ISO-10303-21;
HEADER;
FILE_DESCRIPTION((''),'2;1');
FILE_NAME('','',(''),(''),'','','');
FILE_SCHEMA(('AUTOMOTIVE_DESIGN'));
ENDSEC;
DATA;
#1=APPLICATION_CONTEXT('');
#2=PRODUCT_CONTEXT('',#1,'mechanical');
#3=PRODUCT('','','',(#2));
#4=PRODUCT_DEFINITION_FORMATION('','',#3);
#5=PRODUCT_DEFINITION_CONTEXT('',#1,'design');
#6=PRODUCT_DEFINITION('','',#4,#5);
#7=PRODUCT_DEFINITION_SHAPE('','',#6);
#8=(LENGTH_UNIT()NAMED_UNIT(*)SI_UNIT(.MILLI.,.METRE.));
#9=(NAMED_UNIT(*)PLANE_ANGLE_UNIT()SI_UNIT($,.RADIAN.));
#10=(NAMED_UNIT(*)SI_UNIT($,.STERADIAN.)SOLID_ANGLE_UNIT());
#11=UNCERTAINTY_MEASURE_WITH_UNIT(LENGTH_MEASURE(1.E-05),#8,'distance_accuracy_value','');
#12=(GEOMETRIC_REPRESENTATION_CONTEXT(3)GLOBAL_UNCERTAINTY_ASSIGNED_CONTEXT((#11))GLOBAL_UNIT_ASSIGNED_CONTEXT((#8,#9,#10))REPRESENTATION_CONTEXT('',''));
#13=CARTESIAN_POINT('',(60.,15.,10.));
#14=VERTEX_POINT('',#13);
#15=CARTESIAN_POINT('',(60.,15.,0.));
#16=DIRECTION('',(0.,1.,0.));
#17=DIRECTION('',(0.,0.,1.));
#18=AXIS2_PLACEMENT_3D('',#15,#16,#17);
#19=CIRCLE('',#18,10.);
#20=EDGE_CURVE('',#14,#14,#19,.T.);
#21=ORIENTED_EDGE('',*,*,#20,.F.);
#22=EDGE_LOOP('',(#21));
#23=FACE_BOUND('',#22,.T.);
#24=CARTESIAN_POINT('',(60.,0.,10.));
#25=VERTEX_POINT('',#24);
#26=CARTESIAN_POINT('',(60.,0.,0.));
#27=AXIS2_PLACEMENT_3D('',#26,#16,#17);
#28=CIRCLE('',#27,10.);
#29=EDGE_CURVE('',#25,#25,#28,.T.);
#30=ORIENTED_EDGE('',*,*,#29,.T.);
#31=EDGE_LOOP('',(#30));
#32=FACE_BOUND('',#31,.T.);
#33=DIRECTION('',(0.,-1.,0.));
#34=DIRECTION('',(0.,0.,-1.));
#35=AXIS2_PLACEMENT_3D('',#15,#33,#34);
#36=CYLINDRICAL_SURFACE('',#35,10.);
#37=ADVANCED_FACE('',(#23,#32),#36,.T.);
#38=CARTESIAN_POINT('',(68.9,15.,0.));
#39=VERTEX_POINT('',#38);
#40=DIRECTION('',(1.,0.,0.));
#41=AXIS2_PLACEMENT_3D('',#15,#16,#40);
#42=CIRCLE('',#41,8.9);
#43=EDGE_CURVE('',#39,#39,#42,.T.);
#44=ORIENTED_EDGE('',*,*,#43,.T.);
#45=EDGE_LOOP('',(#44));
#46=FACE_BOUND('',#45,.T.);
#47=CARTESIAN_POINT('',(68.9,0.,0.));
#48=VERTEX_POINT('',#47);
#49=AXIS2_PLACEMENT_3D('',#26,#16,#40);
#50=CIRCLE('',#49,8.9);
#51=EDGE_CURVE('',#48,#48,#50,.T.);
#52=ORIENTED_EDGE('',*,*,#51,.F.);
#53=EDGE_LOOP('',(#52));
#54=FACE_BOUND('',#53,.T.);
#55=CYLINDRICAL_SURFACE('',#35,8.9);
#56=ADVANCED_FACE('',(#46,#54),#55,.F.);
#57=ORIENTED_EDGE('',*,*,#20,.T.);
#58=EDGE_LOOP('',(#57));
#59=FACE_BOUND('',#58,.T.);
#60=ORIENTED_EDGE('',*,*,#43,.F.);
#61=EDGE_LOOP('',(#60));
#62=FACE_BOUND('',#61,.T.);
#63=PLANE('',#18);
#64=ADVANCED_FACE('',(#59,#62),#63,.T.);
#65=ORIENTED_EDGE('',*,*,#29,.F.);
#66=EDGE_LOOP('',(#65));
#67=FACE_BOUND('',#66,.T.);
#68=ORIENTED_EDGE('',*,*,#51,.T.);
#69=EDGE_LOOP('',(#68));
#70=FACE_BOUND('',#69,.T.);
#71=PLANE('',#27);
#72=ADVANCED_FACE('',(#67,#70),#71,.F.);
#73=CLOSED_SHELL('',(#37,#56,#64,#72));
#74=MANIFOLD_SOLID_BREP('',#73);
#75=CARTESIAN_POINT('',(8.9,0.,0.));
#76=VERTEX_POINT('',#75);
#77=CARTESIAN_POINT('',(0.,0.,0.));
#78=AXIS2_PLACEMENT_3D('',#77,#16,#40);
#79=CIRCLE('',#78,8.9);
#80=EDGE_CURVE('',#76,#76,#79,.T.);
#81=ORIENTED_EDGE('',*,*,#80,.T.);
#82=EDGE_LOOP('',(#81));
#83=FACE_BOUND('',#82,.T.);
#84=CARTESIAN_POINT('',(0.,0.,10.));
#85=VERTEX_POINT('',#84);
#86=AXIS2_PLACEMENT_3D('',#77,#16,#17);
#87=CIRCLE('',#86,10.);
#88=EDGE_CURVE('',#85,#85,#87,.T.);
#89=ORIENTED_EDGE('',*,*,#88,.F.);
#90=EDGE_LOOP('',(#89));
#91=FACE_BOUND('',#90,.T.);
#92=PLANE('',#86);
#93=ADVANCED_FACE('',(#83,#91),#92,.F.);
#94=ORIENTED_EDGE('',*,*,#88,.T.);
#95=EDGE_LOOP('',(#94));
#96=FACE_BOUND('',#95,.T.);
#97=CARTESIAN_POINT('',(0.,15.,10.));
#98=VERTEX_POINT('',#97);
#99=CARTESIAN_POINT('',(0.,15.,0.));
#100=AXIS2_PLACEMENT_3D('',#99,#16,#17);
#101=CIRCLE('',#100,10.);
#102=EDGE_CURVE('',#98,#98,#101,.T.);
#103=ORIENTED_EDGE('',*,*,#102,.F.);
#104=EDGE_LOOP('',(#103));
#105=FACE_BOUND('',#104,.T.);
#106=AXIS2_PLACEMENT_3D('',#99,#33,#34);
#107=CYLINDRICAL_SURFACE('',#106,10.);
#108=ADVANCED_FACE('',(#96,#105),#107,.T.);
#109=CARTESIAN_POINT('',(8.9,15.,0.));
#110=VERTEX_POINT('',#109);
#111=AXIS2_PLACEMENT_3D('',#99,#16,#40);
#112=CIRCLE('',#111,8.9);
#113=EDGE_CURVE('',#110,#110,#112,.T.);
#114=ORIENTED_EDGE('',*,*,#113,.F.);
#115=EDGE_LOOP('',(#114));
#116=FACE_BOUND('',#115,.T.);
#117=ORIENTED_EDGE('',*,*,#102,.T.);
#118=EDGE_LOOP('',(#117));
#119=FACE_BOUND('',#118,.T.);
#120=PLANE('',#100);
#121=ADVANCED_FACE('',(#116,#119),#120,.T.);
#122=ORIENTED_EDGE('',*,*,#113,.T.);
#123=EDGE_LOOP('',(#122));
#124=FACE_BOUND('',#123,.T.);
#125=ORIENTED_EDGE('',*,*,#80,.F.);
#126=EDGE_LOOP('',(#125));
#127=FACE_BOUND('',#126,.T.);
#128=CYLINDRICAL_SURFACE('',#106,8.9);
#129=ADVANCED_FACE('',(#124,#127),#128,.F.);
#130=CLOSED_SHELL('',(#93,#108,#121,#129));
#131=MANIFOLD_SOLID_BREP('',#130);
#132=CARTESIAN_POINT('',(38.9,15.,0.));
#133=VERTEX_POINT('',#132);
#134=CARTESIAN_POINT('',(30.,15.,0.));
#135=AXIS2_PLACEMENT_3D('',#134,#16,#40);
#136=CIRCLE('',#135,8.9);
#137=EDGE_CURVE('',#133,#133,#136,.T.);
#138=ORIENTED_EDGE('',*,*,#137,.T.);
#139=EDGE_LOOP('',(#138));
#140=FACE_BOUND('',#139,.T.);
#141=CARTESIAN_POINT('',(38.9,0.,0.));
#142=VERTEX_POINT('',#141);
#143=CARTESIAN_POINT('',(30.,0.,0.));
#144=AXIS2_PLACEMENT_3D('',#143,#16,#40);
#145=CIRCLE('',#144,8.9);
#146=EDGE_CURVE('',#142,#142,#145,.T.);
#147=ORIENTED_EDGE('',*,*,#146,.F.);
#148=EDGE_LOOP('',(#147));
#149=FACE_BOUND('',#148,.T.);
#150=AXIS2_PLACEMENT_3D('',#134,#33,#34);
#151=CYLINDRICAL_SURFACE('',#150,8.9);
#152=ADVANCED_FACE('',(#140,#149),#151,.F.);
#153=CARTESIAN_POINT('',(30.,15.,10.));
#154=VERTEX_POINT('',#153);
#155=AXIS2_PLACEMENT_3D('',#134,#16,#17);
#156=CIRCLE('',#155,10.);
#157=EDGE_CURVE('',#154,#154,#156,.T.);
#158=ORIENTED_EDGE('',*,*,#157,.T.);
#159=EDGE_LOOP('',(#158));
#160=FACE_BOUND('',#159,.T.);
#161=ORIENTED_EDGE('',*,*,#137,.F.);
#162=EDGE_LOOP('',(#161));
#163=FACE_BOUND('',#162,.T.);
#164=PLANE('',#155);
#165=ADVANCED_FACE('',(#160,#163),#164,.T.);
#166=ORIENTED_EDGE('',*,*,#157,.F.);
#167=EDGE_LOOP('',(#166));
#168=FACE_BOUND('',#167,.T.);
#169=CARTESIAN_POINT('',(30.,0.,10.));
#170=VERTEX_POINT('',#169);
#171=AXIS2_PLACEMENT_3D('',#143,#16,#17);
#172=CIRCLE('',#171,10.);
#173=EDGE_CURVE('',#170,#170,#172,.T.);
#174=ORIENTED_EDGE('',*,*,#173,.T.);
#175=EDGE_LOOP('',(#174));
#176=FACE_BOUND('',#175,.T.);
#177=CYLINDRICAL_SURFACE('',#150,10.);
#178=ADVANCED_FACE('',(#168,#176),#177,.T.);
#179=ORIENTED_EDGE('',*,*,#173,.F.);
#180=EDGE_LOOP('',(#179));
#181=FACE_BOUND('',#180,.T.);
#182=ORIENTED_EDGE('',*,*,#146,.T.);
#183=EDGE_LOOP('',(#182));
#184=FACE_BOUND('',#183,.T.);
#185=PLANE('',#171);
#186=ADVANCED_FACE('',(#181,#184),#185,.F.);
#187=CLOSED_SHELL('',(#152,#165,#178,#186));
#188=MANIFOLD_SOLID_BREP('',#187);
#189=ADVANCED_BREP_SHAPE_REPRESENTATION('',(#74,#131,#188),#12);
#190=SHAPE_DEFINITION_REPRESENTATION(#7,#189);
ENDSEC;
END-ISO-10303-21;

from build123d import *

# Parameters (mm, degrees)
SKETCH_1_R        = 10
SKETCH_1_R_2      = 8.9
EXTRUDE_1_DEPTH   = 15
EXTRUDE_1_2_DEPTH = 15
EXTRUDE_1_3_DEPTH = 15


with BuildPart() as part:
    # 草图1 → 拉伸-薄壁1 (new body)
    with BuildSketch(Plane(origin=(0, 0, 0), x_dir=(1, 0, 0), z_dir=(0, 1, 0))):
        Circle(SKETCH_1_R)
        Circle(SKETCH_1_R_2, mode=Mode.SUBTRACT)
    extrude(amount=EXTRUDE_1_DEPTH)


with BuildPart() as body_2:
    # 草图1 → Extrude 1 2 (new body)
    with BuildSketch(Plane(origin=(0, 0, 0), x_dir=(1, 0, 0), z_dir=(0, 1, 0))):
        with Locations((30, 0)):
            Circle(SKETCH_1_R)
        with Locations((30, 0)):
            Circle(SKETCH_1_R_2, mode=Mode.SUBTRACT)
    extrude(amount=EXTRUDE_1_2_DEPTH)


with BuildPart() as body_3:
    # 草图1 → Extrude 1 3 (new body)
    with BuildSketch(Plane(origin=(0, 0, 0), x_dir=(1, 0, 0), z_dir=(0, 1, 0))):
        with Locations((60, 0)):
            Circle(SKETCH_1_R)
        with Locations((60, 0)):
            Circle(SKETCH_1_R_2, mode=Mode.SUBTRACT)
    extrude(amount=EXTRUDE_1_3_DEPTH)


solid = Compound([part.part, body_2.part, body_3.part])
